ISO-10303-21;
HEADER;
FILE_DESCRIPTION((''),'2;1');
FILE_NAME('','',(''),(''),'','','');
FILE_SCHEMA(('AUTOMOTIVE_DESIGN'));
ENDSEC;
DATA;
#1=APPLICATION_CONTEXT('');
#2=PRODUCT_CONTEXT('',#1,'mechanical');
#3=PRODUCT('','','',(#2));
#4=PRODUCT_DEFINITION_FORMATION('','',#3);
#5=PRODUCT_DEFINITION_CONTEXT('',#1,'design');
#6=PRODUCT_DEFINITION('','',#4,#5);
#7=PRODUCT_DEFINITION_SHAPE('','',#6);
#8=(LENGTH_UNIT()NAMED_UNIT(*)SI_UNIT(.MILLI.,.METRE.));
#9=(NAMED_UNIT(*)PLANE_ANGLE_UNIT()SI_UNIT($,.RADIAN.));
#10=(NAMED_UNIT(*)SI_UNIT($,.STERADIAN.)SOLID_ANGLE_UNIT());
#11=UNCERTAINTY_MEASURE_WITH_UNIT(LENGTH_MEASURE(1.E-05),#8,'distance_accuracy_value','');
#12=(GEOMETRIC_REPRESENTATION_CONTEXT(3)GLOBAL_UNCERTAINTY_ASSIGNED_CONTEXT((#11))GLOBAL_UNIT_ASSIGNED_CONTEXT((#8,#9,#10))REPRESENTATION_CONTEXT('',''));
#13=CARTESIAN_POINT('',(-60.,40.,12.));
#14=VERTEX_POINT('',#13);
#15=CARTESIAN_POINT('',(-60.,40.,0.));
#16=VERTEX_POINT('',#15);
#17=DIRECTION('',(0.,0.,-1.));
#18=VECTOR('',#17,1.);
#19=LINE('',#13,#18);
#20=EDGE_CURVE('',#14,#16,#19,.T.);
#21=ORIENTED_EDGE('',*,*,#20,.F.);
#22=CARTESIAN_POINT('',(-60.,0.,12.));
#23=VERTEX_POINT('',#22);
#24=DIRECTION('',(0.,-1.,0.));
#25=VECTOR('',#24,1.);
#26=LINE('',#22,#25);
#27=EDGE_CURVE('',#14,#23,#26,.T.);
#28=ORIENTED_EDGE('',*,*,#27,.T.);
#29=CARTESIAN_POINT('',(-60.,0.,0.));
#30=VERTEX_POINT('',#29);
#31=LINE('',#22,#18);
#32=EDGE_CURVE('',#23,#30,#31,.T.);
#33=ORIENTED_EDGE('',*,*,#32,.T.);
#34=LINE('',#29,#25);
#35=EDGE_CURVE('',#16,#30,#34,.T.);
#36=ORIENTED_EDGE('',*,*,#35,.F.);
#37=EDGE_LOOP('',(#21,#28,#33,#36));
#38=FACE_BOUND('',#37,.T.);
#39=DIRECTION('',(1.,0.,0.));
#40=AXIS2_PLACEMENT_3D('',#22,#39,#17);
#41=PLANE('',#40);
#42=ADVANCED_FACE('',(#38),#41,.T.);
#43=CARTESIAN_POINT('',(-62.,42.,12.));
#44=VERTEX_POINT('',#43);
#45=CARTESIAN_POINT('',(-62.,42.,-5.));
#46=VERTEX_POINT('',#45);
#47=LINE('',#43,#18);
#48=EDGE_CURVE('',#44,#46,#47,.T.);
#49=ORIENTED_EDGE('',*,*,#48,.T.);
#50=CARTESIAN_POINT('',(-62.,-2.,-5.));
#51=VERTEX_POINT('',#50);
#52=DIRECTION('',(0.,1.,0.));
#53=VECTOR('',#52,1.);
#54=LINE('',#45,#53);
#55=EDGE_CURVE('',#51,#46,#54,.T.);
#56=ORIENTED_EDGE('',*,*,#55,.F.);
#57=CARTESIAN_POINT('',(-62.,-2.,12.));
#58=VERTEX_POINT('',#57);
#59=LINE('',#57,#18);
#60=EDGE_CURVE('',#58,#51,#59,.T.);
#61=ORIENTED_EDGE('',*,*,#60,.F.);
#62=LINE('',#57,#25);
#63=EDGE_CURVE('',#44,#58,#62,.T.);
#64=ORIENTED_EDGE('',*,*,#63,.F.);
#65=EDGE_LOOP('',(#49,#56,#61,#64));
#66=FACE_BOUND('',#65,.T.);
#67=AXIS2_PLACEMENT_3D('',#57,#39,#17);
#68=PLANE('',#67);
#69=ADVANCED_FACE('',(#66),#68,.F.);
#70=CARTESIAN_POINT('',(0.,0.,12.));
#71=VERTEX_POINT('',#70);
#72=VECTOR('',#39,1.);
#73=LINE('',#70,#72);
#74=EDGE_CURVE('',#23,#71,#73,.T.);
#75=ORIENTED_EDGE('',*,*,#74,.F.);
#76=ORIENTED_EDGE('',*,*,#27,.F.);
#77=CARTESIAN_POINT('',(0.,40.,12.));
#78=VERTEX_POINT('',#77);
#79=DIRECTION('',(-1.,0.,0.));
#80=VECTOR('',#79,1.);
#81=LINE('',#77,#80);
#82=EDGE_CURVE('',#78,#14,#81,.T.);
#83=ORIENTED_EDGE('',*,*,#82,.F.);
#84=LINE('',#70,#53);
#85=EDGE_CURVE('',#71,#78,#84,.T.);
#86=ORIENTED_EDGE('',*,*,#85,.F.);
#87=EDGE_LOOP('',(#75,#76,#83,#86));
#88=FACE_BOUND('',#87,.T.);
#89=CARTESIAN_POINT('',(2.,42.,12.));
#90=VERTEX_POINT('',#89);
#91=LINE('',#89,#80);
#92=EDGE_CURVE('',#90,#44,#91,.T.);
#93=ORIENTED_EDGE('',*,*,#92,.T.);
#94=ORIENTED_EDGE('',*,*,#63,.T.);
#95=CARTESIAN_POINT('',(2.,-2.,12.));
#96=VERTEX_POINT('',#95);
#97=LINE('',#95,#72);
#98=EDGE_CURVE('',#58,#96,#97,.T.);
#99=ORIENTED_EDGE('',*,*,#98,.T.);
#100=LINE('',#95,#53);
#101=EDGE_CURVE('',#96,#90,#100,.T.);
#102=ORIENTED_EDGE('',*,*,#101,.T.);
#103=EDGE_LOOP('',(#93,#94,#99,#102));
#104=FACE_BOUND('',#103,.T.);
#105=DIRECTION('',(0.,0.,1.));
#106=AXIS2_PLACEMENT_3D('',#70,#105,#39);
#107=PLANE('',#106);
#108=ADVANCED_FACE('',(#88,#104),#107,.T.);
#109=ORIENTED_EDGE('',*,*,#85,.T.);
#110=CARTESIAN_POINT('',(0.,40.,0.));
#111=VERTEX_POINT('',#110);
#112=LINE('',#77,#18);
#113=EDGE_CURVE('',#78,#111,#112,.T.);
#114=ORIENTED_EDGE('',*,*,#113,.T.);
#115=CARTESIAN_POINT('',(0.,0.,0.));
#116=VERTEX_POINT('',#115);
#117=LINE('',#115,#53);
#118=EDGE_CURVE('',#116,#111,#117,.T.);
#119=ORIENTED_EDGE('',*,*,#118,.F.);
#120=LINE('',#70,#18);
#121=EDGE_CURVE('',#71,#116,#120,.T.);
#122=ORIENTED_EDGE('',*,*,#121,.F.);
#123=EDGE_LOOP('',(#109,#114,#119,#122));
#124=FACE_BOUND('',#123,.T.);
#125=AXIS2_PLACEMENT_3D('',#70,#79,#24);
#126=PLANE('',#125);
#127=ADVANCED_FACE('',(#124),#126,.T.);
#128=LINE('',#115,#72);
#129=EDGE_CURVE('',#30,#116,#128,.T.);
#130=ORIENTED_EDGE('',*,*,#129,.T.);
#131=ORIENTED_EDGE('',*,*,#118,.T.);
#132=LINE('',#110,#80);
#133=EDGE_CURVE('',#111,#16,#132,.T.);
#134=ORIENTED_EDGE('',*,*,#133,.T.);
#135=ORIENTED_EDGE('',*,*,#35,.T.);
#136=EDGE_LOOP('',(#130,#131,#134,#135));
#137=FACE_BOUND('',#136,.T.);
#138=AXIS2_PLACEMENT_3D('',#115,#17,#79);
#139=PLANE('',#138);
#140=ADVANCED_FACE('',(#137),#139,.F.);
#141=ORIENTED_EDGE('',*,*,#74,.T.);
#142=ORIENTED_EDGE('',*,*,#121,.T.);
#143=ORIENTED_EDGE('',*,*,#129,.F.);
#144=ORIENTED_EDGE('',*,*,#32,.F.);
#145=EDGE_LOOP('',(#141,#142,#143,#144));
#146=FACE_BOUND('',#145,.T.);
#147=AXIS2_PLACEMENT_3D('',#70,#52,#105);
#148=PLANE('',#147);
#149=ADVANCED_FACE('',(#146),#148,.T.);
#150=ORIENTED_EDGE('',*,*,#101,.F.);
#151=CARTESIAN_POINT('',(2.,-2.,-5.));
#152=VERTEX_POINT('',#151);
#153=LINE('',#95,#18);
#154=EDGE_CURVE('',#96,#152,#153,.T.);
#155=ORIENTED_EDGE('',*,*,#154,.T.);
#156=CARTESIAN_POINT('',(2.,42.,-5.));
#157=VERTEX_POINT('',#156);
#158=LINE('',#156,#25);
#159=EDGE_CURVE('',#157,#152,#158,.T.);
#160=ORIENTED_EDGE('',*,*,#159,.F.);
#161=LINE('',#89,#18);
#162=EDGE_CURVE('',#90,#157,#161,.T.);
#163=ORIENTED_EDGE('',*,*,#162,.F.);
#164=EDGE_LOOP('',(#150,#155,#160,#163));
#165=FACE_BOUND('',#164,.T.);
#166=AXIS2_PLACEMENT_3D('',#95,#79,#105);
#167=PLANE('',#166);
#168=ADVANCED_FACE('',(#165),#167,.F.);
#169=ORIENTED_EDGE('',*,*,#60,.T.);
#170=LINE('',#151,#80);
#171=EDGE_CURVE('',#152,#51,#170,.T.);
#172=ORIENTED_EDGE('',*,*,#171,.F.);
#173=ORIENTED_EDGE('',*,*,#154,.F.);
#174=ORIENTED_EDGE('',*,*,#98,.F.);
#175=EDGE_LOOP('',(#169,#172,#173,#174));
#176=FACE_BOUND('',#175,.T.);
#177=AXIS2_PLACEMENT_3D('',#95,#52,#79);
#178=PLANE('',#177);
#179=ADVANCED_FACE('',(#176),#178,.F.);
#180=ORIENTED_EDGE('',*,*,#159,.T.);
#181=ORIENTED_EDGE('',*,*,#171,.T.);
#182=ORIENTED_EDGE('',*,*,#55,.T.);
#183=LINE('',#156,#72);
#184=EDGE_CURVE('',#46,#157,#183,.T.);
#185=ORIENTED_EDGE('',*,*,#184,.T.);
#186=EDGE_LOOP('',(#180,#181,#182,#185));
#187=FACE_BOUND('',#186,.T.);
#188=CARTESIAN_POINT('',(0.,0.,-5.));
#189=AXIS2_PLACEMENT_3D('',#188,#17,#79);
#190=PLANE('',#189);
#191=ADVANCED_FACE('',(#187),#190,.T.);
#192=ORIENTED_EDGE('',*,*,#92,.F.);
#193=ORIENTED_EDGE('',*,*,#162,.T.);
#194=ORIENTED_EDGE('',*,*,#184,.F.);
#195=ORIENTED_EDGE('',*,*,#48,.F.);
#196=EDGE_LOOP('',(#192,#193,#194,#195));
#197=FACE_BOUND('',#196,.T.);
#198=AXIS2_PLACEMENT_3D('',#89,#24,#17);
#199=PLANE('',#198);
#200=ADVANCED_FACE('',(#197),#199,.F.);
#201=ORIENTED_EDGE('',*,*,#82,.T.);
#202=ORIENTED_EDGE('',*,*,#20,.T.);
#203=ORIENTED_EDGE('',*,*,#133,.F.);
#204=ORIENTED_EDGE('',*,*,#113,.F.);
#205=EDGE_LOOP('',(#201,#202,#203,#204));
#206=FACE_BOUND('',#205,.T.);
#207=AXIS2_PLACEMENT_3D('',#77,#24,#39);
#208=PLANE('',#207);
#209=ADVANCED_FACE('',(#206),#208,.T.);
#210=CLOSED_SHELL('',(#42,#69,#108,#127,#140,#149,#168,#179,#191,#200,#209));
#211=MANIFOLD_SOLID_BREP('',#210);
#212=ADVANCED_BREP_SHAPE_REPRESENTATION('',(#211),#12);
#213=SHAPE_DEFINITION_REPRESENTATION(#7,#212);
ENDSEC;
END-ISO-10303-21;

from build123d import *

# Parameters (mm, degrees)
CROQUIS1_W              = 64
CROQUIS1_H              = 44
CROQUIS1_W_2            = 60
CROQUIS1_H_2            = 40
SALIENTE_EXTRUIR1_DEPTH = 12
CROQUIS2_W              = 64
CROQUIS2_H              = 44
SALIENTE_EXTRUIR2_DEPTH = 5


with BuildPart() as part:
    # Croquis1 → Saliente-Extruir1 (new body)
    with BuildSketch(Plane.XY):
        with Locations((-30, 20)):
            Rectangle(CROQUIS1_W, CROQUIS1_H)
        with Locations((-30, 20)):
            Rectangle(CROQUIS1_W_2, CROQUIS1_H_2, mode=Mode.SUBTRACT)
    extrude(amount=SALIENTE_EXTRUIR1_DEPTH)

    # Croquis2 → Saliente-Extruir2 (add)
    with BuildSketch(Plane(origin=(0, 0, 0), x_dir=(-1, 0, 0), z_dir=(0, 0, -1))):
        with Locations((30, 20)):
            Rectangle(CROQUIS2_W, CROQUIS2_H)
    extrude(amount=SALIENTE_EXTRUIR2_DEPTH)


solid = part.part
